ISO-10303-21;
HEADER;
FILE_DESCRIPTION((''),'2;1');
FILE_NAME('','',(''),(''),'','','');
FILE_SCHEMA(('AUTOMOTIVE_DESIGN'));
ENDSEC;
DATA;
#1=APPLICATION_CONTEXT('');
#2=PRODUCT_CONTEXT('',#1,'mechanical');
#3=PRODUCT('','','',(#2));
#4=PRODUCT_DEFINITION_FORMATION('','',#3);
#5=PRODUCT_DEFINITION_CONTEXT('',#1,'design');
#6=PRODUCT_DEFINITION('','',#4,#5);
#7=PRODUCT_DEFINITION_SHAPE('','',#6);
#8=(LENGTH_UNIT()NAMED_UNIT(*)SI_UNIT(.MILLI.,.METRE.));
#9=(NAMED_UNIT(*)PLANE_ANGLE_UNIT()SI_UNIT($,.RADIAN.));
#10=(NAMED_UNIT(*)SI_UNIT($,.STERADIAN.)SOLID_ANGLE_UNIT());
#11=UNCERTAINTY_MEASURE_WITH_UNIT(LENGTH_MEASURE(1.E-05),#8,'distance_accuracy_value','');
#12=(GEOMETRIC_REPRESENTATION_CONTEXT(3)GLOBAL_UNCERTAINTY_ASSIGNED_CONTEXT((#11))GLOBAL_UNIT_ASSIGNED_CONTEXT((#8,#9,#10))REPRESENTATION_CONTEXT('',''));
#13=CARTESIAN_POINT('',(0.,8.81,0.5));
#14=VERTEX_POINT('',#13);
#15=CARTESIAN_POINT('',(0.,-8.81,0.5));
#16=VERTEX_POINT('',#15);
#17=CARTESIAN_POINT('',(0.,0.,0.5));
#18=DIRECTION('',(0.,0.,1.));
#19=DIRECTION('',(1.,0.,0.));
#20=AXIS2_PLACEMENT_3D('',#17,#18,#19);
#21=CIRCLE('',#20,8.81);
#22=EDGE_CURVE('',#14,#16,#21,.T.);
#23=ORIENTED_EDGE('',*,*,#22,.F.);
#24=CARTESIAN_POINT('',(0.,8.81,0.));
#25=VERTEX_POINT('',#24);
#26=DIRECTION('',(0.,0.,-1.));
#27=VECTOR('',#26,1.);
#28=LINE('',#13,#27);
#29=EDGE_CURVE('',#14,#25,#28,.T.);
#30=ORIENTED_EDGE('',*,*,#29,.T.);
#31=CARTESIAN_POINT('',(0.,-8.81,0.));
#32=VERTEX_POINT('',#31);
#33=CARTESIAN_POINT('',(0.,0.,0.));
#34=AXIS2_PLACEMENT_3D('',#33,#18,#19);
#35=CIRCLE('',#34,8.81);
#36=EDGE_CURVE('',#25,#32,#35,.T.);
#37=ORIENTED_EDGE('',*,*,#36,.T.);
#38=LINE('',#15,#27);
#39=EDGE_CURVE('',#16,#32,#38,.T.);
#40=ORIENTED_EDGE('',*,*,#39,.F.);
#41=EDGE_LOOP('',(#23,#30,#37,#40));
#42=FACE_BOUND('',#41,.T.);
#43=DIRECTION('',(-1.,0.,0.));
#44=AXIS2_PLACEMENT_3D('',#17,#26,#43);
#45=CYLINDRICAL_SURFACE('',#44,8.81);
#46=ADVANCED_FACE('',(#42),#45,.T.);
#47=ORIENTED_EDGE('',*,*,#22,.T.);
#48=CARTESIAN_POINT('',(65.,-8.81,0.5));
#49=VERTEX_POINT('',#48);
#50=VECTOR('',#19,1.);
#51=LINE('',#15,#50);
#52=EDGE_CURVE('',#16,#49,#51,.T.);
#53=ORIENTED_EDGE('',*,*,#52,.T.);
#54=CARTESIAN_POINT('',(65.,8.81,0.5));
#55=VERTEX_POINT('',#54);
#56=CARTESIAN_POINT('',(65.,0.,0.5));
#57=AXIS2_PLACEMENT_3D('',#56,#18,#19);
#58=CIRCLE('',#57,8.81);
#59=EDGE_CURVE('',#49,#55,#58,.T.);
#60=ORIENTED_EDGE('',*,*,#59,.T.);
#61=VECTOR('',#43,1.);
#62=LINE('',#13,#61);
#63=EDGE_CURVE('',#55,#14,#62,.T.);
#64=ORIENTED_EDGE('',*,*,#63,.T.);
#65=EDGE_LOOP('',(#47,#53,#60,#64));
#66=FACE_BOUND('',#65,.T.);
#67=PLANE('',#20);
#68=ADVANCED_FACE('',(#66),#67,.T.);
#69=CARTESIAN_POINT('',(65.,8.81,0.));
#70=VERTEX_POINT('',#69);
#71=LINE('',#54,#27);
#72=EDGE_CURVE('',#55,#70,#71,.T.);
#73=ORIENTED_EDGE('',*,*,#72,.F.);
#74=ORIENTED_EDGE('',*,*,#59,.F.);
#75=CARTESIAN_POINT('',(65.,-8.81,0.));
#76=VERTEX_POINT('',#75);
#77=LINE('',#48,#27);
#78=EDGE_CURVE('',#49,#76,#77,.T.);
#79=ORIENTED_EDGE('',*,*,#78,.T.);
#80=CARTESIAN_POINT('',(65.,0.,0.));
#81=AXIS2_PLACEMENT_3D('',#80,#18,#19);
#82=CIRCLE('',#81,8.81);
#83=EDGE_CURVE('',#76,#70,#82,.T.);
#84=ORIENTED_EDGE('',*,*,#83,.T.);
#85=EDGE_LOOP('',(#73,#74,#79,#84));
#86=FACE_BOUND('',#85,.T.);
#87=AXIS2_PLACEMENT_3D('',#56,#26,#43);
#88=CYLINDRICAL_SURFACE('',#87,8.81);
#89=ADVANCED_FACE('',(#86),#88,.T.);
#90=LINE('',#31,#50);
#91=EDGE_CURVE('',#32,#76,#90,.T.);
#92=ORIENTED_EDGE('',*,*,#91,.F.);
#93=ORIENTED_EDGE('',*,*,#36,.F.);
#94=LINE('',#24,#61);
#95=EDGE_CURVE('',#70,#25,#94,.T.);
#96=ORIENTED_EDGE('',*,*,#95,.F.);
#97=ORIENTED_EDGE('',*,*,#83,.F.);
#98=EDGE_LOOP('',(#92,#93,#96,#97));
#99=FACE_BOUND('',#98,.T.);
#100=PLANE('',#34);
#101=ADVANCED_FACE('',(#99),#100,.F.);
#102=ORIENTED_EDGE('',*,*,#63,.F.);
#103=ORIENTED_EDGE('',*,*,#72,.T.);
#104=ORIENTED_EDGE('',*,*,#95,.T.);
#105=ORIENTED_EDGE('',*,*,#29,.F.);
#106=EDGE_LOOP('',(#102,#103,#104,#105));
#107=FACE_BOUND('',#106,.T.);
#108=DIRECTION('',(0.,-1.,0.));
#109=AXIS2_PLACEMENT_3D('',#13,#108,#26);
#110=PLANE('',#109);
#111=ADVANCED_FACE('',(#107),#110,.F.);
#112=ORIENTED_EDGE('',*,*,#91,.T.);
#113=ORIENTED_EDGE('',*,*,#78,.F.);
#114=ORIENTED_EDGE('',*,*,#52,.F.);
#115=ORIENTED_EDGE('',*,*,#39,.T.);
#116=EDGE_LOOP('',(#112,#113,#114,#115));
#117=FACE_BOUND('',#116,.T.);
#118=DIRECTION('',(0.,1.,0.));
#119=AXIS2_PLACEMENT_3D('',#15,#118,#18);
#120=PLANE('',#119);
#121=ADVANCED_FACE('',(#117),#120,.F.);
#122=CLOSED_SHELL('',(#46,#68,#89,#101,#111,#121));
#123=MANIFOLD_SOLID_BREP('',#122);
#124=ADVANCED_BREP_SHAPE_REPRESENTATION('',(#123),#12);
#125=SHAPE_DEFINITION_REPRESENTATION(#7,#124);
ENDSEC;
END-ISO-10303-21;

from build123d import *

# Parameters (mm, degrees)
BOSS_EXTRUDE1_DEPTH = 0.5


with BuildPart() as part:
    # Sketch1 → Boss-Extrude1 (new body)
    with BuildSketch(Plane.XY):
        with BuildLine():
            Line((0, 8.81), (65, 8.81))
            ThreePointArc((65, 8.81), (73.81, 0), (65, -8.81))
            Line((65, -8.81), (0, -8.81))
            ThreePointArc((0, -8.81), (-8.81, 0), (0, 8.81))
        make_face()
    extrude(amount=BOSS_EXTRUDE1_DEPTH)


solid = part.part
